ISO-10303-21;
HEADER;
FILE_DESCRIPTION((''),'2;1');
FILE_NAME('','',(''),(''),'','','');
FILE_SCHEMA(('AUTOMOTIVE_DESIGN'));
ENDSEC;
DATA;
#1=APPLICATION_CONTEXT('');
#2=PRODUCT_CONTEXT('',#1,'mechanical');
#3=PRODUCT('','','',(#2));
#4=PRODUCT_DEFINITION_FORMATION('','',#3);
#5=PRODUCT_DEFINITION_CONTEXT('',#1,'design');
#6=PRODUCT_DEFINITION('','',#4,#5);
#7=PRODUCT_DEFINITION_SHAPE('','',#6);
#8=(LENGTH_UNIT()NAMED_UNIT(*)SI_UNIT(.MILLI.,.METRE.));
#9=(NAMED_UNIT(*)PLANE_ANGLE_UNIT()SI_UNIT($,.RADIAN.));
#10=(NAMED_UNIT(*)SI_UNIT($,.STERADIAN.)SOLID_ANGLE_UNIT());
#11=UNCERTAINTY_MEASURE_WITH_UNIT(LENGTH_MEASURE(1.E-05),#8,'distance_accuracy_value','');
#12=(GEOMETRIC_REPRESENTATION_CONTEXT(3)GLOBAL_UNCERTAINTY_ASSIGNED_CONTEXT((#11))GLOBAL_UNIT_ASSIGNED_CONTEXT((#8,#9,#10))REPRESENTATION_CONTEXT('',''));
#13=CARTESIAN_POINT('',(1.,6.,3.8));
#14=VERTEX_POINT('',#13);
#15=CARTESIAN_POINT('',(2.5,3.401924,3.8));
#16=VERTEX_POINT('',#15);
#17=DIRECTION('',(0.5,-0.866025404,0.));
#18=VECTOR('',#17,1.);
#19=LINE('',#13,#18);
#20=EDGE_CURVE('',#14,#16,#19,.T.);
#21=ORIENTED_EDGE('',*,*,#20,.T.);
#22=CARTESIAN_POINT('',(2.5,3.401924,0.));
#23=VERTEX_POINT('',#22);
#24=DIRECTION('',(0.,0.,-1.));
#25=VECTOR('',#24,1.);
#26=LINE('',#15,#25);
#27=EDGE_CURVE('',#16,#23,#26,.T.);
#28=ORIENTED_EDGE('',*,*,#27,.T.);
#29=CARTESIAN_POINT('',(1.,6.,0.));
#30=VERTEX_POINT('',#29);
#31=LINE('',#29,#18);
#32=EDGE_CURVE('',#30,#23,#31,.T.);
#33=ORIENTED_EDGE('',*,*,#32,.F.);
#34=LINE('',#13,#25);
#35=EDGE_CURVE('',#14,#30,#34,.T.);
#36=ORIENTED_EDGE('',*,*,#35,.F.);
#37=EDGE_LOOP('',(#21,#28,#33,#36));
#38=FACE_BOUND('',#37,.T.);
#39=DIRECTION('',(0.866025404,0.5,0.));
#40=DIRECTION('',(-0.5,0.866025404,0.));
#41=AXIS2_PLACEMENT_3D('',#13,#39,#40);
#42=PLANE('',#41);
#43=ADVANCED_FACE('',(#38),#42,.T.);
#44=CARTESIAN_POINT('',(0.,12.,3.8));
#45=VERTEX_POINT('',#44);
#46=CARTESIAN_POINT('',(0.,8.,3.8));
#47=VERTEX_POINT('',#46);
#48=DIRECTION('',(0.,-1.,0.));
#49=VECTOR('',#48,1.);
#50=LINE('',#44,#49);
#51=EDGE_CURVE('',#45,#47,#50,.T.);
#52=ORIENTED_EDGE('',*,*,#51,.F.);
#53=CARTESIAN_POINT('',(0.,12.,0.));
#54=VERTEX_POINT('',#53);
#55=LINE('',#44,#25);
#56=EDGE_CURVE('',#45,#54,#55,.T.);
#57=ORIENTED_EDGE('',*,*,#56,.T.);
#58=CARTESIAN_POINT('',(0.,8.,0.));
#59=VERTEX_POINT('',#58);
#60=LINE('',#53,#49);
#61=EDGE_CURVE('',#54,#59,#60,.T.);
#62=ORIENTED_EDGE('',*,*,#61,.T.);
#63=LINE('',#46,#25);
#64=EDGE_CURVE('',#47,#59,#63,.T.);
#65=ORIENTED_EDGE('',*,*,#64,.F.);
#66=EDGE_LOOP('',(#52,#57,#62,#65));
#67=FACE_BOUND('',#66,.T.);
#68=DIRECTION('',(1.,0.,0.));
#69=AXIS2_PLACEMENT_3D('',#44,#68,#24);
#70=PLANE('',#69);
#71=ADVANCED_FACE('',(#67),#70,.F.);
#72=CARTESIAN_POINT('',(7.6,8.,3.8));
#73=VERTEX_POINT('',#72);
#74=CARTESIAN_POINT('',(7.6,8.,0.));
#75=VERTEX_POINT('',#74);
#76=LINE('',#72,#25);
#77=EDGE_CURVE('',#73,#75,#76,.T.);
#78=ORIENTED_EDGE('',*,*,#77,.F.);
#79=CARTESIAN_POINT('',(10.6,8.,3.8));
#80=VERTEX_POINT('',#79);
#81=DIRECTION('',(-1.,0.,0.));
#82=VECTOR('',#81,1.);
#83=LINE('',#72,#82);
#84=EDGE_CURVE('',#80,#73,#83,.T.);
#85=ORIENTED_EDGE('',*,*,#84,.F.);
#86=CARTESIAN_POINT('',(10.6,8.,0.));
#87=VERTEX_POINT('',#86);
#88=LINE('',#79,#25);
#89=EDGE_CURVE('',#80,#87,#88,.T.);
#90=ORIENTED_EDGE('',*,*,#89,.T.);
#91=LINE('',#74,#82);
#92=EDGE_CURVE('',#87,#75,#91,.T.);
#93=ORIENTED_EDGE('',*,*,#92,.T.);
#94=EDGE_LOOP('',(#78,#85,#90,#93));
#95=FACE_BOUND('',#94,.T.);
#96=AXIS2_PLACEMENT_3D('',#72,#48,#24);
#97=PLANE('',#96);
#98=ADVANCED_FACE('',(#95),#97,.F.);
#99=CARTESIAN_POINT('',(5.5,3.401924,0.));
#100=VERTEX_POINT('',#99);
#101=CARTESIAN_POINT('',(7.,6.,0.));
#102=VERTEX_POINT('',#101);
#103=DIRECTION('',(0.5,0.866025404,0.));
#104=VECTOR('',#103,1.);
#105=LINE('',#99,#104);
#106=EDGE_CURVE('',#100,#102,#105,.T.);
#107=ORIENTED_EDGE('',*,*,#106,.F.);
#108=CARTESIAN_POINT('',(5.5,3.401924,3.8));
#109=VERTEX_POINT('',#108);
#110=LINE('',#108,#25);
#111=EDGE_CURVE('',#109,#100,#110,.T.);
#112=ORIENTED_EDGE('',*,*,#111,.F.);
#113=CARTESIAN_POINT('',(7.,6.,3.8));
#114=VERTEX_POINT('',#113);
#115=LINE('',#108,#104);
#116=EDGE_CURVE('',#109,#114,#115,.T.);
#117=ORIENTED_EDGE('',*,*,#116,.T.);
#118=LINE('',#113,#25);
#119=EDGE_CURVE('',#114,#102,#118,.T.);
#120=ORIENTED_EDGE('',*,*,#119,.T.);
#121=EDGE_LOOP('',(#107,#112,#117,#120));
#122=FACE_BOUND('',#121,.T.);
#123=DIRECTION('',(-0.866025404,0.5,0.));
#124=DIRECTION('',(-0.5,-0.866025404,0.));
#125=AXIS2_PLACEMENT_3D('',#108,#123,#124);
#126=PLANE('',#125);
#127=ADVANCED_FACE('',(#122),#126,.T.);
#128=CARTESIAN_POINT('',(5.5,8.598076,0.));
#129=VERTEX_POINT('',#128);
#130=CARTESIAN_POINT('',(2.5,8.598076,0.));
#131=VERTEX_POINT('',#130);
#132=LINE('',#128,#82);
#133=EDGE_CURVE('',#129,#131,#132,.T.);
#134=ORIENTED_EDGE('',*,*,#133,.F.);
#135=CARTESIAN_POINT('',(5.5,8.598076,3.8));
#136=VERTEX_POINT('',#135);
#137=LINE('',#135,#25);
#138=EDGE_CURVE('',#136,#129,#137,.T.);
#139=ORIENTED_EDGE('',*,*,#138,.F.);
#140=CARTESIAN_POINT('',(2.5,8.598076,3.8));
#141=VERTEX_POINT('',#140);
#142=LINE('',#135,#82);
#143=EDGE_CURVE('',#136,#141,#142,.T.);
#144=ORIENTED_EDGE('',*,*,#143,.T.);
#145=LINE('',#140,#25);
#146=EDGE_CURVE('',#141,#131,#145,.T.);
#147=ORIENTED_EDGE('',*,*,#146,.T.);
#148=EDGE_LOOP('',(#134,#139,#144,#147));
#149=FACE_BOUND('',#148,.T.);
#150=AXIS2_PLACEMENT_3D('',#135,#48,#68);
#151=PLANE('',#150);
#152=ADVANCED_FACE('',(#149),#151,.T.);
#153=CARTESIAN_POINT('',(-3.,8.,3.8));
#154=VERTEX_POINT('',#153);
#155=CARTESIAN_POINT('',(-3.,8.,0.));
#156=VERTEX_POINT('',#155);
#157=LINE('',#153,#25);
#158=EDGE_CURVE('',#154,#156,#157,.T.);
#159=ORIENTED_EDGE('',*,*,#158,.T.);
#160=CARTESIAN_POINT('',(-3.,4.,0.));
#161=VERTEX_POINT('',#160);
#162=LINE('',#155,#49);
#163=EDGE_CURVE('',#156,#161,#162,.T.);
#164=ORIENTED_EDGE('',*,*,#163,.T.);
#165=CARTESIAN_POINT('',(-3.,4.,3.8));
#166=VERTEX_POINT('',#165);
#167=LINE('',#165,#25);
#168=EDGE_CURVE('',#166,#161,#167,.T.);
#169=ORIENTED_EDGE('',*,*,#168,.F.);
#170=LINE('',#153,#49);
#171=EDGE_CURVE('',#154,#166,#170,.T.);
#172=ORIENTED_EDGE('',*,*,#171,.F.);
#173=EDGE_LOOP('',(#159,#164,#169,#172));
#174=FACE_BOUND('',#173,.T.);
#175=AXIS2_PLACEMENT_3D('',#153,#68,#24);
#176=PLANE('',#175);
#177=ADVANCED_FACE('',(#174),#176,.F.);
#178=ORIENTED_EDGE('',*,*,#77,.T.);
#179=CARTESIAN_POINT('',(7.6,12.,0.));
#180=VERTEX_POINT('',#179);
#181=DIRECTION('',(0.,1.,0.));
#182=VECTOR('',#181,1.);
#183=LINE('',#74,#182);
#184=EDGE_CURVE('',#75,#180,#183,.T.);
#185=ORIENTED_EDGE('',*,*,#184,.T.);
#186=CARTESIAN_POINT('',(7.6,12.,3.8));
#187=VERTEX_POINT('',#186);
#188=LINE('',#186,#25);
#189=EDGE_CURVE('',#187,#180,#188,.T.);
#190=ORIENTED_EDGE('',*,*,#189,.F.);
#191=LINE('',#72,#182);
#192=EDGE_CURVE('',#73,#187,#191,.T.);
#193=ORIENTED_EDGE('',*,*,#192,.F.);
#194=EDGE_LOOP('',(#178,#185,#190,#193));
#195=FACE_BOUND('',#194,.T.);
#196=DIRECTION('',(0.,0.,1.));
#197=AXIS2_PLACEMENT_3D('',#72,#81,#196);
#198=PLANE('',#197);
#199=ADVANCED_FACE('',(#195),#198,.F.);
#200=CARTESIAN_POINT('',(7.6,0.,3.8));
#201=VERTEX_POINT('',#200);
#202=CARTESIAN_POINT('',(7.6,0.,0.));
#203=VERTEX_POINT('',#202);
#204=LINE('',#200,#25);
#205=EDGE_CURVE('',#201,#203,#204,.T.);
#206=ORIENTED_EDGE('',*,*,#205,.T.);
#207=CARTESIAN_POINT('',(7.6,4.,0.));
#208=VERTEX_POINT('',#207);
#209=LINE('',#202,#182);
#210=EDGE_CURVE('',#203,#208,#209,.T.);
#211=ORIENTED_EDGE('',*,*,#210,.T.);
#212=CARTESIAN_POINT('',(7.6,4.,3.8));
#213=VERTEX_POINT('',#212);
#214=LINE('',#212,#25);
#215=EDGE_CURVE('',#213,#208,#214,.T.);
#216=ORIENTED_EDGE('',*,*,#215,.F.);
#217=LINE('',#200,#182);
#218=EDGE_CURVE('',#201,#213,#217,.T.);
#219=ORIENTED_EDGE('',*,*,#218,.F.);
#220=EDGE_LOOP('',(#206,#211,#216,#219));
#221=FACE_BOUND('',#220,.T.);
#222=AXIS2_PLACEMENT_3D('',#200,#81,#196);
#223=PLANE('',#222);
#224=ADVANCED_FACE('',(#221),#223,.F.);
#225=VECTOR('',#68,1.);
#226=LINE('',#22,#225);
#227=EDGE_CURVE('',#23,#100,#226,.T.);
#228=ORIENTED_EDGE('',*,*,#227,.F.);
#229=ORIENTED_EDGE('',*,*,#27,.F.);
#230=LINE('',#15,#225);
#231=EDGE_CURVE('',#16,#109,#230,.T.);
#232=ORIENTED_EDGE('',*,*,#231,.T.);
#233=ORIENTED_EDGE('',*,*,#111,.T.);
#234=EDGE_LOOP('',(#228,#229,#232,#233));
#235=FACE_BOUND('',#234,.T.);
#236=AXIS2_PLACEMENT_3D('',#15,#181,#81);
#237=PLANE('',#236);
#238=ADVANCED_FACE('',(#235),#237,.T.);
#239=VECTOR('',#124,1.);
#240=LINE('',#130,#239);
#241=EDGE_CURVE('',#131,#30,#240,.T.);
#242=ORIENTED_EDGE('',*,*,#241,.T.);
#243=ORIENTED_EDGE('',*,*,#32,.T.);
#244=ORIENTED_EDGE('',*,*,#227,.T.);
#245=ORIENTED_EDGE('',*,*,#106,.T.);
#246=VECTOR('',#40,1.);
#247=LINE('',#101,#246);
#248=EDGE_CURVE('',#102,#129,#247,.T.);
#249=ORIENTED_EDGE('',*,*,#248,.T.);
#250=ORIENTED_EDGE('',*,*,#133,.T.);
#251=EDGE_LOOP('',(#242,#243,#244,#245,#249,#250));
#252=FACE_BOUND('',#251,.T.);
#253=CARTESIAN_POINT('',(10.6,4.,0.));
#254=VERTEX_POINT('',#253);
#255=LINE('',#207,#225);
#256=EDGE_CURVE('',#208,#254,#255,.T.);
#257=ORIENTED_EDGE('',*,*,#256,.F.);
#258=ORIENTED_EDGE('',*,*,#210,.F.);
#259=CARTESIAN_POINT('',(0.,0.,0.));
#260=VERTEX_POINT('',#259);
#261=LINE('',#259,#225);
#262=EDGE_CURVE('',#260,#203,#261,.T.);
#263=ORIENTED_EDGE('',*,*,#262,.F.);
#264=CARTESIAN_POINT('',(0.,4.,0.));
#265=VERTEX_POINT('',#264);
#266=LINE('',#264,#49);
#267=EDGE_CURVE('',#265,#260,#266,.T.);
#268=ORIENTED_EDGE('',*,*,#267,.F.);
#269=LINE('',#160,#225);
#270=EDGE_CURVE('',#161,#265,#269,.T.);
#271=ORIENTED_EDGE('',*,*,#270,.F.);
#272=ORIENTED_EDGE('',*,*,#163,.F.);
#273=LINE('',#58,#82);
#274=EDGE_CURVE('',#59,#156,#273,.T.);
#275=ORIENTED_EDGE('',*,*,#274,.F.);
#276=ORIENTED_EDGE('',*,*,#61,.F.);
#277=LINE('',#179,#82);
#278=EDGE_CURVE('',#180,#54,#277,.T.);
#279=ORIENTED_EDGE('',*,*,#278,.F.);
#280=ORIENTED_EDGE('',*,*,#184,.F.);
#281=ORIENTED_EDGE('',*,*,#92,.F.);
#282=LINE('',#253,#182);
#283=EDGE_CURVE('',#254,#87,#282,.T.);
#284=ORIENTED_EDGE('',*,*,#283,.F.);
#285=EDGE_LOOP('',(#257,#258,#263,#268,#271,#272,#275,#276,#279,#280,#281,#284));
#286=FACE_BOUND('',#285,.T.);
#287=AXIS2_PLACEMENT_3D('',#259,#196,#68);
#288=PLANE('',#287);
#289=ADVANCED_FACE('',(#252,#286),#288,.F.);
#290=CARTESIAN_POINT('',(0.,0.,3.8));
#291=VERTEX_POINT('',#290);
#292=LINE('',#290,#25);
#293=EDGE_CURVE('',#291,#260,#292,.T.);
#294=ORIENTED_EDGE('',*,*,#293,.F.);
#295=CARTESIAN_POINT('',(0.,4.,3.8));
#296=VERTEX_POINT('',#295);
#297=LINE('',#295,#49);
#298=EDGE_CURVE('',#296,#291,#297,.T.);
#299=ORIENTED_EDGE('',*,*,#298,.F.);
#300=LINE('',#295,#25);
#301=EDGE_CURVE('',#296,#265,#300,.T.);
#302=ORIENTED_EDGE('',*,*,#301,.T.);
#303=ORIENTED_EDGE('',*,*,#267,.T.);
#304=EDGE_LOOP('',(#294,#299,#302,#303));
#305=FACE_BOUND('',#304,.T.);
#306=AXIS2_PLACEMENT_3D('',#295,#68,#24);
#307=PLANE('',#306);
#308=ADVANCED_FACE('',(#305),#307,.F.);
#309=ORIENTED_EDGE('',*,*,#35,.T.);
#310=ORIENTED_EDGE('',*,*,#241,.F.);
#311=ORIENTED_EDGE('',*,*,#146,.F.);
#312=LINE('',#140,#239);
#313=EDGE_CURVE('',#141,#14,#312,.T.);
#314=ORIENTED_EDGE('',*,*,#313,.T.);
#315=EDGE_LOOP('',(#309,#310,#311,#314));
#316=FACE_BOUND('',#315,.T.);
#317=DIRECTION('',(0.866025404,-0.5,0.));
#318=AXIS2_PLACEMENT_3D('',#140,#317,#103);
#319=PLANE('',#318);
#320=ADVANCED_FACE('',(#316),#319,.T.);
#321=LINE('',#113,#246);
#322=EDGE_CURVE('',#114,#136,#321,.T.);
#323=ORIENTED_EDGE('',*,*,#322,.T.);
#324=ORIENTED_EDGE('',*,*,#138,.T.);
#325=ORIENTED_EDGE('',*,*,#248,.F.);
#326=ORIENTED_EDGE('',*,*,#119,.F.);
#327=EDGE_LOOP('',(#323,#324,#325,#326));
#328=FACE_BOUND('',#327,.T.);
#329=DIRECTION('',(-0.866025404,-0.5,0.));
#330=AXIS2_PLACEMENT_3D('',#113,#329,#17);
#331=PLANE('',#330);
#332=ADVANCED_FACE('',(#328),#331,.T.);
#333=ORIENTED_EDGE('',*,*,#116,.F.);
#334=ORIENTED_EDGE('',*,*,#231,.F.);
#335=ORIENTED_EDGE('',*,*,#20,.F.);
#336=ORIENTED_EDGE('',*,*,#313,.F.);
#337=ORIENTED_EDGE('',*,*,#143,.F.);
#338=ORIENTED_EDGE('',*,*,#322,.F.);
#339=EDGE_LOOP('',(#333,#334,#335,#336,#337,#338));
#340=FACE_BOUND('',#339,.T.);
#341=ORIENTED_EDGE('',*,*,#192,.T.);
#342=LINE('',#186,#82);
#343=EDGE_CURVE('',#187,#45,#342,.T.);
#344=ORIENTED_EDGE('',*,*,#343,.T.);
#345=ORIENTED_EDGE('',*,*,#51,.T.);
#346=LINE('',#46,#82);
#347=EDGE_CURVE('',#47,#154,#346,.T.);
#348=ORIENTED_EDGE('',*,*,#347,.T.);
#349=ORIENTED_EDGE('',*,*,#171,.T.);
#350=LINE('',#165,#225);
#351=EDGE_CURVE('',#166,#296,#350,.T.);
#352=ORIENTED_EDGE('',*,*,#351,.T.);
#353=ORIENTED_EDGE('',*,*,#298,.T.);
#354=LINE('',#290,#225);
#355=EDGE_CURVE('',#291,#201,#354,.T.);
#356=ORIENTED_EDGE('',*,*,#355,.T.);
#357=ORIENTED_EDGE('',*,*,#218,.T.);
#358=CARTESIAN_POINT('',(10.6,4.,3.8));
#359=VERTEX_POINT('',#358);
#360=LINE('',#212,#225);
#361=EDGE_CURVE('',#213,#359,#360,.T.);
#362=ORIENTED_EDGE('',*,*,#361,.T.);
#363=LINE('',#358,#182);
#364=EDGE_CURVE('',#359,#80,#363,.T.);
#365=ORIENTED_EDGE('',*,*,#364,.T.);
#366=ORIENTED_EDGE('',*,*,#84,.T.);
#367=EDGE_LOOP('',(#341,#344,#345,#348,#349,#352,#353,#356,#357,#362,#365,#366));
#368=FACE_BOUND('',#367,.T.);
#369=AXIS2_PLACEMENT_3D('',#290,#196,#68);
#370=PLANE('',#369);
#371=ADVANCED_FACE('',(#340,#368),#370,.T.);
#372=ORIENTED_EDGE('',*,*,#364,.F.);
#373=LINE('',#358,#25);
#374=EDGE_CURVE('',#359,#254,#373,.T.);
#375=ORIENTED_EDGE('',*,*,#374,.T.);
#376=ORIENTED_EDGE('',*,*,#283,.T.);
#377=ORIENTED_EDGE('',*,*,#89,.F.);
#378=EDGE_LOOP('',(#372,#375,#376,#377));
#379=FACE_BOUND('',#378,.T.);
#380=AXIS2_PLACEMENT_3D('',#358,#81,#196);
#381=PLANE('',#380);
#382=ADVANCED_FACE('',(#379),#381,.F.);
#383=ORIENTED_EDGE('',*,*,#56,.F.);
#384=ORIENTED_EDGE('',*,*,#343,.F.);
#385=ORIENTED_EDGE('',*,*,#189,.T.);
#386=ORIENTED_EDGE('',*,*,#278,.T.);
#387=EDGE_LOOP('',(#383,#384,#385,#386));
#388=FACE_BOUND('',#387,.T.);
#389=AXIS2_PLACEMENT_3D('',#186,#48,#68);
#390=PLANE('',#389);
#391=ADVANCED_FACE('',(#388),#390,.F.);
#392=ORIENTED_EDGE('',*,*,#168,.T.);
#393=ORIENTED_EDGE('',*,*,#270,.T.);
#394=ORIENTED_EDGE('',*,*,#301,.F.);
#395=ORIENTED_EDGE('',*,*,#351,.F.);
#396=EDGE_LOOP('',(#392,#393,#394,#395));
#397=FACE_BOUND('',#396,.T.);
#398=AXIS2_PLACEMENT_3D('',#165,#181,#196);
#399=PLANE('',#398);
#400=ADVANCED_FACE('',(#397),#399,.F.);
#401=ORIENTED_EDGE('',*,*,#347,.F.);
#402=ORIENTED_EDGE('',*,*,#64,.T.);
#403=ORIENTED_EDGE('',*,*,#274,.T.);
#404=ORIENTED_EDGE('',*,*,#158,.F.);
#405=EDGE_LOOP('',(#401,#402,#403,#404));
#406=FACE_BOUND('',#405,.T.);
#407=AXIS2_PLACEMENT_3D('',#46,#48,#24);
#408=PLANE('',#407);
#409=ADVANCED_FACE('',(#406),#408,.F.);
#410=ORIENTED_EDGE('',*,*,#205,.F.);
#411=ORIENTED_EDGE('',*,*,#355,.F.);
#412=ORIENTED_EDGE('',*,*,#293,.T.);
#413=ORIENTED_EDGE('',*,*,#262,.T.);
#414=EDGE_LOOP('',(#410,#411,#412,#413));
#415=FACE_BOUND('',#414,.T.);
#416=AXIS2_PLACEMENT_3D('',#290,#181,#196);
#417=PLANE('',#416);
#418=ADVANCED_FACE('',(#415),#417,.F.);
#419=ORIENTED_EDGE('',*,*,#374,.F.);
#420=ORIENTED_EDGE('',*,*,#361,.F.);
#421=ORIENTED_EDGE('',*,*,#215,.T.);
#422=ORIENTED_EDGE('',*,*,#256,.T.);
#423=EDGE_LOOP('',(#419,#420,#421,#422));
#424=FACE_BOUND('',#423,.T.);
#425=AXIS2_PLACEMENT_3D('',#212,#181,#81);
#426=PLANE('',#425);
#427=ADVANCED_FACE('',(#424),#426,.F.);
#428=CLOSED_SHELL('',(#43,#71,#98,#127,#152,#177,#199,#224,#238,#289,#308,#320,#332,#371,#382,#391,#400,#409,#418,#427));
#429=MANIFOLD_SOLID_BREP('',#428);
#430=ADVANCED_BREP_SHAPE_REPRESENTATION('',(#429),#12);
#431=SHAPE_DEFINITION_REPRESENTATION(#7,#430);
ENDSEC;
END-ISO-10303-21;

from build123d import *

# Parameters (mm, degrees)
BOSS_EXTRUDE1_DEPTH = 3.8


with BuildPart() as part:
    # Sketch1 → Boss-Extrude1 (new body)
    with BuildSketch(Plane.XY):
        Polygon((0, 0), (7.6, 0), (7.6, 4), (10.6, 4), (10.6, 8), (7.6, 8), (7.6, 12), (0, 12), (0, 8), (-3, 8), (-3, 4), (0, 4), align=None)
        Polygon((7, 6), (5.5, 8.598076211), (2.5, 8.598076211), (1, 6), (2.5, 3.401923789), (5.5, 3.401923789), align=None, mode=Mode.SUBTRACT)
    extrude(amount=BOSS_EXTRUDE1_DEPTH)


solid = part.part
